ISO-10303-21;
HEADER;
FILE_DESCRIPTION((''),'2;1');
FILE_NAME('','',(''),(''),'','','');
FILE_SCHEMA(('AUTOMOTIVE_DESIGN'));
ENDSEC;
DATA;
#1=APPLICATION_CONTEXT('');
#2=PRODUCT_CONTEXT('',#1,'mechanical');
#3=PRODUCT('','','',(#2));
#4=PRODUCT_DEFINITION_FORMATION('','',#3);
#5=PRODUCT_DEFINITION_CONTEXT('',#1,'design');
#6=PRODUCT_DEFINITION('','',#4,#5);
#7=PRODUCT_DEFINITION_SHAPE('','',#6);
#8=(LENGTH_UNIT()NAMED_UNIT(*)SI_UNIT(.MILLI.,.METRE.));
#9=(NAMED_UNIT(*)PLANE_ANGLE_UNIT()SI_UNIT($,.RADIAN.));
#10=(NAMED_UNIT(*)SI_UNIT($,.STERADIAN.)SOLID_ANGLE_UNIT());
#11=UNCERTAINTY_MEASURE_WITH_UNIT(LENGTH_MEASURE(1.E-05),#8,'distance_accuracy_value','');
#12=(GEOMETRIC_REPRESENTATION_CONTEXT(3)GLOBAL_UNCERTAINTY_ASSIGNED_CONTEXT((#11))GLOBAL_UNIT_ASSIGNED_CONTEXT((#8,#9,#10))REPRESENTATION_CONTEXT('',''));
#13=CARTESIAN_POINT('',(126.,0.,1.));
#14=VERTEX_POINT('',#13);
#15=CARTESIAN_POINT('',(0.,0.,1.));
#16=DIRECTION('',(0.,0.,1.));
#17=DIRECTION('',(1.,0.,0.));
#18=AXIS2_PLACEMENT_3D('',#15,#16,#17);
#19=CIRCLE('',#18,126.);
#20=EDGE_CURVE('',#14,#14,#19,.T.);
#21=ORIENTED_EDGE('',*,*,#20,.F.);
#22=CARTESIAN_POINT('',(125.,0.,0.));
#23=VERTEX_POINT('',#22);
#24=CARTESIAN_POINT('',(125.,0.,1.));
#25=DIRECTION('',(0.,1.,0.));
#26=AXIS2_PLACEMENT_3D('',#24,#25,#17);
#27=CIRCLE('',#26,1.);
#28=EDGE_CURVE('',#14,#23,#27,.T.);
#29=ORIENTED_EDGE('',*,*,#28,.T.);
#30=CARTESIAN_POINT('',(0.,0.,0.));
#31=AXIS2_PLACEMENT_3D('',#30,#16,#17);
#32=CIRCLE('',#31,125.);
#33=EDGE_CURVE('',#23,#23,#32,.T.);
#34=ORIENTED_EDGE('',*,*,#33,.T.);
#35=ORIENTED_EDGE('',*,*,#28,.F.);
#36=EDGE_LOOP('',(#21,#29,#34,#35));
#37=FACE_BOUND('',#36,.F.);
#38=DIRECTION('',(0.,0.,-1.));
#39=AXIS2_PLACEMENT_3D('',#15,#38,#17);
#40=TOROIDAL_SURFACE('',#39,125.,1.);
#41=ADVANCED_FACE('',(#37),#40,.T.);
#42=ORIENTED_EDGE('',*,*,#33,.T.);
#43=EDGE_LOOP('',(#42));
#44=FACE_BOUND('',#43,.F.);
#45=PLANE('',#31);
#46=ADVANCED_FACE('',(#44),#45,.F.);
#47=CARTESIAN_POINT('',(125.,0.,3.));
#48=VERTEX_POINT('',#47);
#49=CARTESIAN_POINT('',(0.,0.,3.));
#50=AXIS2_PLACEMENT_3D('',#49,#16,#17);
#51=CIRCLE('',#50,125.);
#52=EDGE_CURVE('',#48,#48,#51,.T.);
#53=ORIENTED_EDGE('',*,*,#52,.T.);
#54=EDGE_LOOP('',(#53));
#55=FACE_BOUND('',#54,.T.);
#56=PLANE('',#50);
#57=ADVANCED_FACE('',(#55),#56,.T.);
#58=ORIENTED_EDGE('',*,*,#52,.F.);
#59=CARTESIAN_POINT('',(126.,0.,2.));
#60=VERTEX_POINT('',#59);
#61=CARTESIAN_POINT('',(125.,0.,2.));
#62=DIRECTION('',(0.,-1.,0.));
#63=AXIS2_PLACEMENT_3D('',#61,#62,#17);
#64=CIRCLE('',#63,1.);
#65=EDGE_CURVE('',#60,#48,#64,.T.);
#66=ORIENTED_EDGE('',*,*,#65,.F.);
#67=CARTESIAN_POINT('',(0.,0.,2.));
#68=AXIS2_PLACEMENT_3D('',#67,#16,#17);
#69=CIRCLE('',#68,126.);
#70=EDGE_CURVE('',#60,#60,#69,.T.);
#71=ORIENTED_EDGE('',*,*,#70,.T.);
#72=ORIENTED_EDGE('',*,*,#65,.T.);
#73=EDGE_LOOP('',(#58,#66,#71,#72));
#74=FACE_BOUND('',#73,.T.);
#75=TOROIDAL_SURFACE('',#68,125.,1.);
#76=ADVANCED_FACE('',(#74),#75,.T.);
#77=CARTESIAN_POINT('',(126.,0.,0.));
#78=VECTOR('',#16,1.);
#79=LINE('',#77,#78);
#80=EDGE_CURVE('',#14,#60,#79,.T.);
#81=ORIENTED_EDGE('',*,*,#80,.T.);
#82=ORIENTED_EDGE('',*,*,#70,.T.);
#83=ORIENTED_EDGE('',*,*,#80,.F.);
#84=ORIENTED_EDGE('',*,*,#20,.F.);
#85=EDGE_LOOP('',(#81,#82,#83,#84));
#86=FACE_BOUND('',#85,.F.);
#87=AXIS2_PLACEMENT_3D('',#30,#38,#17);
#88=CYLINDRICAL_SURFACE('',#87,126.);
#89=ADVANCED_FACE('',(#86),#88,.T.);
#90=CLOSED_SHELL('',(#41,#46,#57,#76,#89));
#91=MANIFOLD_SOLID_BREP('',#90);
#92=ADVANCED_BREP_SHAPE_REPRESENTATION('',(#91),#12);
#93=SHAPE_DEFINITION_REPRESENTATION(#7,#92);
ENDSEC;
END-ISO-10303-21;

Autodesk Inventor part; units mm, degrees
ref_plane "YZ Plane" through (0, 0, 0) normal (1, 0, 0) x (0, 1, 0)
ref_plane "XZ Plane" through (0, 0, 0) normal (0, 1, 0) x (-1, 0, 0)
ref_plane "XY Plane" through (0, 0, 0) normal (0, 0, 1) x (1, 0, 0)
ref_plane "Work Plane1" through (0, 0, 0) normal (0, 0, 1) x (1, 0, 0)
sketch "Sketch1" plane through (0, 0, 0) normal (0, 0, 1) x (1, 0, 0)
  circle A0 centre (0, 0) radius 126 projected
  point P0 (0, 0)
extrude "Extrusion1" add sketch "Sketch1" along normal blind 3
fillet "Fillet1" radius 1 2 edges at (-126, 0, 3) (-126, 0, 0)
properties material "Glass"
